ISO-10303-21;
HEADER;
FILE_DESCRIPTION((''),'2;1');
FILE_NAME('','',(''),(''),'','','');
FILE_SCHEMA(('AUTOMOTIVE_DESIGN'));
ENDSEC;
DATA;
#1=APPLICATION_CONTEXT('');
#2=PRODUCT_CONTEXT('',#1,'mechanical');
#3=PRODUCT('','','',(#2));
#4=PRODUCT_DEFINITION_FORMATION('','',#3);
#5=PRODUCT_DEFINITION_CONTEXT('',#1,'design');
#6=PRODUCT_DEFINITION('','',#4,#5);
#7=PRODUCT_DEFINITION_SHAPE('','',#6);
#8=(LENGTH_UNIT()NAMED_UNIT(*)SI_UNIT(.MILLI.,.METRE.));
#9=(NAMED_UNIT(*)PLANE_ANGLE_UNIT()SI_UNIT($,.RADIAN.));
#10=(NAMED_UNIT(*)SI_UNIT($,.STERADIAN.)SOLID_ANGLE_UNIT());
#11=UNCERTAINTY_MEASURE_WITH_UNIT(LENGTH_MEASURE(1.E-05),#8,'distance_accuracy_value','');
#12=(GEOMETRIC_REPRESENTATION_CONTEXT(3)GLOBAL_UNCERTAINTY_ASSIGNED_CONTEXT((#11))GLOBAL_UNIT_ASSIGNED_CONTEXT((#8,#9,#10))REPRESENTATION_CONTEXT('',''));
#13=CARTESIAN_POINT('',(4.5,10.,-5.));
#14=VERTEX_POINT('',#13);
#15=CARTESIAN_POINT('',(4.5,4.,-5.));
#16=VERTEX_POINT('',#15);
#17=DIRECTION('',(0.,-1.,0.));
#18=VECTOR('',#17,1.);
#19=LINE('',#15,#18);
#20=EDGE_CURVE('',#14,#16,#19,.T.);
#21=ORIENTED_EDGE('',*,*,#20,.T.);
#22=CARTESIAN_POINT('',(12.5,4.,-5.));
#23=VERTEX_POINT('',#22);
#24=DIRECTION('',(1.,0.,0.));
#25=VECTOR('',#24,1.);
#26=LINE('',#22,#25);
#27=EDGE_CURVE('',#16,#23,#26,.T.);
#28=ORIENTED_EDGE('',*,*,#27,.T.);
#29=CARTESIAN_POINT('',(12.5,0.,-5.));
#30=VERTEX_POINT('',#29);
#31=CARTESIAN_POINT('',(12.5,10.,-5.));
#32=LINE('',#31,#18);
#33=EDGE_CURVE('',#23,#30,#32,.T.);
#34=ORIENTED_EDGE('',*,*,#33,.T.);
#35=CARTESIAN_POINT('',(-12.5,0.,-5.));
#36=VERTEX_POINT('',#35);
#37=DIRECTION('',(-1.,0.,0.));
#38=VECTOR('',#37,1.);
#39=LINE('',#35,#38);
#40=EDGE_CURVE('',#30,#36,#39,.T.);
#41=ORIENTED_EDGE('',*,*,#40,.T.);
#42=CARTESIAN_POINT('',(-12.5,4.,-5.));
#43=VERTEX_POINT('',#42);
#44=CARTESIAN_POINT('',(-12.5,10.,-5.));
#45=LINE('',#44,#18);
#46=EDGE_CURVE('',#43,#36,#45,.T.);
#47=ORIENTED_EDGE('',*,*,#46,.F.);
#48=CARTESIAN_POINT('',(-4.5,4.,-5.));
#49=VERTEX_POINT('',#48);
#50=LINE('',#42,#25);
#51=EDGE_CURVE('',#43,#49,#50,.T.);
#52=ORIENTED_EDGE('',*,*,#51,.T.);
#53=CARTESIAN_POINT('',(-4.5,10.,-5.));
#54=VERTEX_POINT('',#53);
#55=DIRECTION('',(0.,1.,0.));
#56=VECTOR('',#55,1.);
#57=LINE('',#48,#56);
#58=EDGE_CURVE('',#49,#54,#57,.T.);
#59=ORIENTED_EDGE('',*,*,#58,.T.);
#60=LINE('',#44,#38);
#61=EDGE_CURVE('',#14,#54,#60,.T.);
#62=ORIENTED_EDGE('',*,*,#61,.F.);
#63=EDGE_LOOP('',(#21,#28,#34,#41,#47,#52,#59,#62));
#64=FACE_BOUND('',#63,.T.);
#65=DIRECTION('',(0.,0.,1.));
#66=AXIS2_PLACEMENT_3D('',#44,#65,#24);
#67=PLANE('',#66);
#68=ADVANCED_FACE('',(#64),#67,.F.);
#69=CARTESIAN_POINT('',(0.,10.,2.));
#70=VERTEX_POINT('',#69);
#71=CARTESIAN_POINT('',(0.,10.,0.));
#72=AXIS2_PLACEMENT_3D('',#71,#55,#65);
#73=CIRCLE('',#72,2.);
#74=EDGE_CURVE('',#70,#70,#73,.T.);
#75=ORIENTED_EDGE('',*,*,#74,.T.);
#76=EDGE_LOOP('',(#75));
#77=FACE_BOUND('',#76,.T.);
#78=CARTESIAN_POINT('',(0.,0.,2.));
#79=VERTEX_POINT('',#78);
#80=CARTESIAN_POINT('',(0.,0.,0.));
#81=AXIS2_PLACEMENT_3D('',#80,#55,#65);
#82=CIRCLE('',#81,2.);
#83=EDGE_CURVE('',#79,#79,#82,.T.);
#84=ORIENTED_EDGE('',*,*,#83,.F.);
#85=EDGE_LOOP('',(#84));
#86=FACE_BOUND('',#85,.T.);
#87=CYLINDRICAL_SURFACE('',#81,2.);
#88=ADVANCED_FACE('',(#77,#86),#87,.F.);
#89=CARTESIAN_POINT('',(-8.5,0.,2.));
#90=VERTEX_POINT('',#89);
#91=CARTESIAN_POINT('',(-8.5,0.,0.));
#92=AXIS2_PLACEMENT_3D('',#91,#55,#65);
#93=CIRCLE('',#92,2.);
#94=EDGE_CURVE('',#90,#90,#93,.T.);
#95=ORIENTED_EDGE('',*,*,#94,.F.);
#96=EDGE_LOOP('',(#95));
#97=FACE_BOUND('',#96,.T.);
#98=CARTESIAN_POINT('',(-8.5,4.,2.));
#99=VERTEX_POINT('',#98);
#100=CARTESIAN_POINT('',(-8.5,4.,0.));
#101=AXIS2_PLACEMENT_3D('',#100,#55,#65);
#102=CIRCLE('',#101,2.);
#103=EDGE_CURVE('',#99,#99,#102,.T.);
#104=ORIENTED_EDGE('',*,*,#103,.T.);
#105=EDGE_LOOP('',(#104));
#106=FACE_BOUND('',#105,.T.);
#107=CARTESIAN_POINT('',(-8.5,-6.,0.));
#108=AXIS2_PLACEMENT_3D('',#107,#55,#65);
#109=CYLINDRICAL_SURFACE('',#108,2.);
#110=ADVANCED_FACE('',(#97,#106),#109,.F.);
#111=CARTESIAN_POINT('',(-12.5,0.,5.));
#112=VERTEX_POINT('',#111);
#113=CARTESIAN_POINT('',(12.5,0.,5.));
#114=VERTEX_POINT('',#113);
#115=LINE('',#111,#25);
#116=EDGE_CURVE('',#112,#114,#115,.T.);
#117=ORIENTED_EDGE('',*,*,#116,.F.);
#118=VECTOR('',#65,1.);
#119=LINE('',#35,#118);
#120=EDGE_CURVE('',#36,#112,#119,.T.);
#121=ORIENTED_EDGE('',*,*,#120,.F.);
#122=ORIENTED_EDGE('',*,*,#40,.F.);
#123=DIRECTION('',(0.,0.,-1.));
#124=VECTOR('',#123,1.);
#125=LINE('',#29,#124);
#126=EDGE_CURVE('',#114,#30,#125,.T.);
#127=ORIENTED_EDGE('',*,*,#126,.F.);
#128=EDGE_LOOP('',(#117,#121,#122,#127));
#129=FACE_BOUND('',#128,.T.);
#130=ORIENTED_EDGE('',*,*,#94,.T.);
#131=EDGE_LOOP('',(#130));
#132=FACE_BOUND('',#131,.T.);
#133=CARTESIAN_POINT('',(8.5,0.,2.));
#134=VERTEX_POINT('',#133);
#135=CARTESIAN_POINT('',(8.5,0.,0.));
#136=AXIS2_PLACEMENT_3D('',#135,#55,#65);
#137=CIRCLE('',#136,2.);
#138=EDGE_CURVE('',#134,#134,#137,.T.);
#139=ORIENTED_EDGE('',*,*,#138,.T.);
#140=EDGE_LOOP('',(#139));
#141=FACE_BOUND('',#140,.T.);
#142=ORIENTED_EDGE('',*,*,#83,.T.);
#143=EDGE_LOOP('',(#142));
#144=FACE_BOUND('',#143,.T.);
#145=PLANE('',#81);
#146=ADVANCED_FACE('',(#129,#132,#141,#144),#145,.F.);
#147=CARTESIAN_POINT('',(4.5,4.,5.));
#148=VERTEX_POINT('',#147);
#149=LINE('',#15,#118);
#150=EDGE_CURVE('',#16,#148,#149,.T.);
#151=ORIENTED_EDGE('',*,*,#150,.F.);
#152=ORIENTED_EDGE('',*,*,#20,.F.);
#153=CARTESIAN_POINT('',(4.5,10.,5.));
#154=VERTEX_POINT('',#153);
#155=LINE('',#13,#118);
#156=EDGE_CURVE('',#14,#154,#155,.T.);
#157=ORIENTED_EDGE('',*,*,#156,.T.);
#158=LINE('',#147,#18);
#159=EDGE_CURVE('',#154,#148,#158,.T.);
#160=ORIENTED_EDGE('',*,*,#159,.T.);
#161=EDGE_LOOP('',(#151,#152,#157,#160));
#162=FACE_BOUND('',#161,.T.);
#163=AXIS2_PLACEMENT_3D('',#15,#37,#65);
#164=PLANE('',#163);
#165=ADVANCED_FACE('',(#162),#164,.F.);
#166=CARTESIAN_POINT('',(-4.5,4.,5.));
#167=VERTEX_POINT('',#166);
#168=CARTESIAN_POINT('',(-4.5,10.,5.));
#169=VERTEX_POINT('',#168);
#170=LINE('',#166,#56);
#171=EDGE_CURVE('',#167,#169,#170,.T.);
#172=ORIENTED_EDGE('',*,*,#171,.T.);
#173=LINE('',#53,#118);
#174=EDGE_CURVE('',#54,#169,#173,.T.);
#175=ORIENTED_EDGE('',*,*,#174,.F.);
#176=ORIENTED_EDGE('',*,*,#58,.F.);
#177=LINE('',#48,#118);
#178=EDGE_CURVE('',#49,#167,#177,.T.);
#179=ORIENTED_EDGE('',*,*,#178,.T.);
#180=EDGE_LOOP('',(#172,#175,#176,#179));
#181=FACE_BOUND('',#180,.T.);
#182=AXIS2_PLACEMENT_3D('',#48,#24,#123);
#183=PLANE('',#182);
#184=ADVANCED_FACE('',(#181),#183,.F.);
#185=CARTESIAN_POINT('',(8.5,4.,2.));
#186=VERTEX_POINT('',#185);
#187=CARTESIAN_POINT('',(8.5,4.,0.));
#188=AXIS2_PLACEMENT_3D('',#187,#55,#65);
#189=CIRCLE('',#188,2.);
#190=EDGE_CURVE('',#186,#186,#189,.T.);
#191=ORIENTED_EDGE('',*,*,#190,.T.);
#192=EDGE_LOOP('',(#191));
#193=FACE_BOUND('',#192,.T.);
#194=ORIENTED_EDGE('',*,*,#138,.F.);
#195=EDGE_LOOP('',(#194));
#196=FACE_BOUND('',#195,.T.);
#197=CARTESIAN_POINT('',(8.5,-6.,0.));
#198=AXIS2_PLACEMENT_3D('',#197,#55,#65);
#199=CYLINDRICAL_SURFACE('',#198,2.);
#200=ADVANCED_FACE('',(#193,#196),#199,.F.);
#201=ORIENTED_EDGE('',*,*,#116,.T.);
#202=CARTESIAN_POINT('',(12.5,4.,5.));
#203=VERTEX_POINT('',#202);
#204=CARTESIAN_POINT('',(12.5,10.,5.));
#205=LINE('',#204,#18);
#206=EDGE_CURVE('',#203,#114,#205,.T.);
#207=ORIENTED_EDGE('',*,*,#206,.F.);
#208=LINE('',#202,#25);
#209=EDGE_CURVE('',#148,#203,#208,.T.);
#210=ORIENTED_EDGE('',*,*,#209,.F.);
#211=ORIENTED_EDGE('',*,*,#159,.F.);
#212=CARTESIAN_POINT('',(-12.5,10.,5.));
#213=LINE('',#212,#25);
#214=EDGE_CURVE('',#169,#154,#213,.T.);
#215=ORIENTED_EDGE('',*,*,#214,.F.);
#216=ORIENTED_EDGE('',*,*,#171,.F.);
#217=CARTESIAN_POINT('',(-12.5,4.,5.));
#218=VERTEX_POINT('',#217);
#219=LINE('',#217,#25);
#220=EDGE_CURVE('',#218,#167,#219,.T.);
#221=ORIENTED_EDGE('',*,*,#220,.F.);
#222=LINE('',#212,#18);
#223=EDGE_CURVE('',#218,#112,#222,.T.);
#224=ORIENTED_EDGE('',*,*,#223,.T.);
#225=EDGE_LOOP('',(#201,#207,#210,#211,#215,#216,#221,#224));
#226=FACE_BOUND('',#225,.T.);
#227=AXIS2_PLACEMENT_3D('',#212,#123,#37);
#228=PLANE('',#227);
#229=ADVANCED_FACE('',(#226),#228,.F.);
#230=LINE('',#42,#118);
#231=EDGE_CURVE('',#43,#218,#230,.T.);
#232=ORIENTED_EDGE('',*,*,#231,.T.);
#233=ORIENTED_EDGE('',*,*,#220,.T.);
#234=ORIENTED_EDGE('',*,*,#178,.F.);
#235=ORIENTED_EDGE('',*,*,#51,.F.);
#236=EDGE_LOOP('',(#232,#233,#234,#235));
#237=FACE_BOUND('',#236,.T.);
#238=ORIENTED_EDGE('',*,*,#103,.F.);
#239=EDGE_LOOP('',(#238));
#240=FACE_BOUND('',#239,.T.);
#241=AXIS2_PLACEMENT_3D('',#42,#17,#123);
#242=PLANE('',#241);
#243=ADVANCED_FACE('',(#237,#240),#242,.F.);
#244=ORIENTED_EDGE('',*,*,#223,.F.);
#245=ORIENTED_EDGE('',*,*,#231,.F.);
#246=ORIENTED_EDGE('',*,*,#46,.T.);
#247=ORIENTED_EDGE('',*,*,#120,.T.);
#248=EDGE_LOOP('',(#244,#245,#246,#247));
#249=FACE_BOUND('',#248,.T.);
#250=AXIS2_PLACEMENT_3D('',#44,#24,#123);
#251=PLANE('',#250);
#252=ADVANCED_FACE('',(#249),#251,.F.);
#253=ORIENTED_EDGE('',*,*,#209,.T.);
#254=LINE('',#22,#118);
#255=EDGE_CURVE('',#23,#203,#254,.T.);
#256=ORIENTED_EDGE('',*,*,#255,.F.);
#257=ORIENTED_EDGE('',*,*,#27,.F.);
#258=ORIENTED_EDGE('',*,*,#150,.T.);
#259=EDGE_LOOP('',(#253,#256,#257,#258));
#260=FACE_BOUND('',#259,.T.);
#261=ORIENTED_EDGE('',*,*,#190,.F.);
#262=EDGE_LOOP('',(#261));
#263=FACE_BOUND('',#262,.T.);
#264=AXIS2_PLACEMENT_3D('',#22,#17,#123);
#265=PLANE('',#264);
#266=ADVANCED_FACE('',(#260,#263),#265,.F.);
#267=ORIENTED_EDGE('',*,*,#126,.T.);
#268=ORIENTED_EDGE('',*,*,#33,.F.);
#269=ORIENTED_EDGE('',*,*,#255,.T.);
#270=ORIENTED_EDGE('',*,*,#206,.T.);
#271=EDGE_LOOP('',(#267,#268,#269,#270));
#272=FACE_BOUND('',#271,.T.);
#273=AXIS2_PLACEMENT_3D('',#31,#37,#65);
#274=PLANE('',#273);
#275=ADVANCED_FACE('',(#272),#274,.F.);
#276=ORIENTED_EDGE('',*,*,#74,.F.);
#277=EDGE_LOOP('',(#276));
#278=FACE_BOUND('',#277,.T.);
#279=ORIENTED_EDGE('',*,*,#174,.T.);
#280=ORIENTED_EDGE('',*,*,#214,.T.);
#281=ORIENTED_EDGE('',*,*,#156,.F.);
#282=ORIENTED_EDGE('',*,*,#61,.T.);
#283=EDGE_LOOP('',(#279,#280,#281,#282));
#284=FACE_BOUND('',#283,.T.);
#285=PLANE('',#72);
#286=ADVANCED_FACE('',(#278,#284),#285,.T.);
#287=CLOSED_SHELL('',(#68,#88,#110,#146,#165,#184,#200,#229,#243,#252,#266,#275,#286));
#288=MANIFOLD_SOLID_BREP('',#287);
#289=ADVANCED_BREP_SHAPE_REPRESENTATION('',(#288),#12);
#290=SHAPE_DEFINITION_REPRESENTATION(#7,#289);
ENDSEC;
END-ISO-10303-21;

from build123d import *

# Parameters (mm, degrees)
SKETCH1_W           = 25
SKETCH1_H           = 10
BOSS_EXTRUDE1_DEPTH = 10
SKETCH2_W           = 8
SKETCH2_H           = 6
CUT_EXTRUDE1_DEPTH  = 10
SKETCH3_R           = 2
CUT_EXTRUDE2_DEPTH  = 17.770509831
SKETCH4_R           = 2
CUT_EXTRUDE3_DEPTH  = 10


with BuildPart() as part:
    # Sketch1 → Boss-Extrude1 (new body)
    with BuildSketch(Plane(origin=(0, 0, 0), x_dir=(1, 0, 0), z_dir=(0, 1, 0))):
        Rectangle(SKETCH1_W, SKETCH1_H)
    extrude(amount=BOSS_EXTRUDE1_DEPTH)

    # Sketch2 → Cut-Extrude1 (cut)
    with BuildSketch(Plane.XY.offset(5)):
        with Locations((-8.5, 7)):
            Rectangle(SKETCH2_W, SKETCH2_H)
        with Locations((8.5, 7)):
            Rectangle(SKETCH2_W, SKETCH2_H)
    extrude(amount=-CUT_EXTRUDE1_DEPTH, mode=Mode.SUBTRACT)

    # Sketch3 → Cut-Extrude2 (cut, through all)
    with BuildSketch(Plane(origin=(0, 10, 0), x_dir=(1, 0, 0), z_dir=(0, 1, 0))):
        with Locations(Location((0, 0, 0), (0, 0, 270))):
            Circle(SKETCH3_R)
    extrude(amount=-CUT_EXTRUDE2_DEPTH, mode=Mode.SUBTRACT)

    # Sketch4 → Cut-Extrude3 (cut)
    with BuildSketch(Plane(origin=(0, 4, 0), x_dir=(1, 0, 0), z_dir=(0, 1, 0))):
        with Locations(Location((-8.5, 0, 0), (0, 0, 270))):
            Circle(SKETCH4_R)
        with Locations(Location((8.5, 0, 0), (0, 0, 270))):
            Circle(SKETCH4_R)
    extrude(amount=-CUT_EXTRUDE3_DEPTH, mode=Mode.SUBTRACT)


solid = part.part
